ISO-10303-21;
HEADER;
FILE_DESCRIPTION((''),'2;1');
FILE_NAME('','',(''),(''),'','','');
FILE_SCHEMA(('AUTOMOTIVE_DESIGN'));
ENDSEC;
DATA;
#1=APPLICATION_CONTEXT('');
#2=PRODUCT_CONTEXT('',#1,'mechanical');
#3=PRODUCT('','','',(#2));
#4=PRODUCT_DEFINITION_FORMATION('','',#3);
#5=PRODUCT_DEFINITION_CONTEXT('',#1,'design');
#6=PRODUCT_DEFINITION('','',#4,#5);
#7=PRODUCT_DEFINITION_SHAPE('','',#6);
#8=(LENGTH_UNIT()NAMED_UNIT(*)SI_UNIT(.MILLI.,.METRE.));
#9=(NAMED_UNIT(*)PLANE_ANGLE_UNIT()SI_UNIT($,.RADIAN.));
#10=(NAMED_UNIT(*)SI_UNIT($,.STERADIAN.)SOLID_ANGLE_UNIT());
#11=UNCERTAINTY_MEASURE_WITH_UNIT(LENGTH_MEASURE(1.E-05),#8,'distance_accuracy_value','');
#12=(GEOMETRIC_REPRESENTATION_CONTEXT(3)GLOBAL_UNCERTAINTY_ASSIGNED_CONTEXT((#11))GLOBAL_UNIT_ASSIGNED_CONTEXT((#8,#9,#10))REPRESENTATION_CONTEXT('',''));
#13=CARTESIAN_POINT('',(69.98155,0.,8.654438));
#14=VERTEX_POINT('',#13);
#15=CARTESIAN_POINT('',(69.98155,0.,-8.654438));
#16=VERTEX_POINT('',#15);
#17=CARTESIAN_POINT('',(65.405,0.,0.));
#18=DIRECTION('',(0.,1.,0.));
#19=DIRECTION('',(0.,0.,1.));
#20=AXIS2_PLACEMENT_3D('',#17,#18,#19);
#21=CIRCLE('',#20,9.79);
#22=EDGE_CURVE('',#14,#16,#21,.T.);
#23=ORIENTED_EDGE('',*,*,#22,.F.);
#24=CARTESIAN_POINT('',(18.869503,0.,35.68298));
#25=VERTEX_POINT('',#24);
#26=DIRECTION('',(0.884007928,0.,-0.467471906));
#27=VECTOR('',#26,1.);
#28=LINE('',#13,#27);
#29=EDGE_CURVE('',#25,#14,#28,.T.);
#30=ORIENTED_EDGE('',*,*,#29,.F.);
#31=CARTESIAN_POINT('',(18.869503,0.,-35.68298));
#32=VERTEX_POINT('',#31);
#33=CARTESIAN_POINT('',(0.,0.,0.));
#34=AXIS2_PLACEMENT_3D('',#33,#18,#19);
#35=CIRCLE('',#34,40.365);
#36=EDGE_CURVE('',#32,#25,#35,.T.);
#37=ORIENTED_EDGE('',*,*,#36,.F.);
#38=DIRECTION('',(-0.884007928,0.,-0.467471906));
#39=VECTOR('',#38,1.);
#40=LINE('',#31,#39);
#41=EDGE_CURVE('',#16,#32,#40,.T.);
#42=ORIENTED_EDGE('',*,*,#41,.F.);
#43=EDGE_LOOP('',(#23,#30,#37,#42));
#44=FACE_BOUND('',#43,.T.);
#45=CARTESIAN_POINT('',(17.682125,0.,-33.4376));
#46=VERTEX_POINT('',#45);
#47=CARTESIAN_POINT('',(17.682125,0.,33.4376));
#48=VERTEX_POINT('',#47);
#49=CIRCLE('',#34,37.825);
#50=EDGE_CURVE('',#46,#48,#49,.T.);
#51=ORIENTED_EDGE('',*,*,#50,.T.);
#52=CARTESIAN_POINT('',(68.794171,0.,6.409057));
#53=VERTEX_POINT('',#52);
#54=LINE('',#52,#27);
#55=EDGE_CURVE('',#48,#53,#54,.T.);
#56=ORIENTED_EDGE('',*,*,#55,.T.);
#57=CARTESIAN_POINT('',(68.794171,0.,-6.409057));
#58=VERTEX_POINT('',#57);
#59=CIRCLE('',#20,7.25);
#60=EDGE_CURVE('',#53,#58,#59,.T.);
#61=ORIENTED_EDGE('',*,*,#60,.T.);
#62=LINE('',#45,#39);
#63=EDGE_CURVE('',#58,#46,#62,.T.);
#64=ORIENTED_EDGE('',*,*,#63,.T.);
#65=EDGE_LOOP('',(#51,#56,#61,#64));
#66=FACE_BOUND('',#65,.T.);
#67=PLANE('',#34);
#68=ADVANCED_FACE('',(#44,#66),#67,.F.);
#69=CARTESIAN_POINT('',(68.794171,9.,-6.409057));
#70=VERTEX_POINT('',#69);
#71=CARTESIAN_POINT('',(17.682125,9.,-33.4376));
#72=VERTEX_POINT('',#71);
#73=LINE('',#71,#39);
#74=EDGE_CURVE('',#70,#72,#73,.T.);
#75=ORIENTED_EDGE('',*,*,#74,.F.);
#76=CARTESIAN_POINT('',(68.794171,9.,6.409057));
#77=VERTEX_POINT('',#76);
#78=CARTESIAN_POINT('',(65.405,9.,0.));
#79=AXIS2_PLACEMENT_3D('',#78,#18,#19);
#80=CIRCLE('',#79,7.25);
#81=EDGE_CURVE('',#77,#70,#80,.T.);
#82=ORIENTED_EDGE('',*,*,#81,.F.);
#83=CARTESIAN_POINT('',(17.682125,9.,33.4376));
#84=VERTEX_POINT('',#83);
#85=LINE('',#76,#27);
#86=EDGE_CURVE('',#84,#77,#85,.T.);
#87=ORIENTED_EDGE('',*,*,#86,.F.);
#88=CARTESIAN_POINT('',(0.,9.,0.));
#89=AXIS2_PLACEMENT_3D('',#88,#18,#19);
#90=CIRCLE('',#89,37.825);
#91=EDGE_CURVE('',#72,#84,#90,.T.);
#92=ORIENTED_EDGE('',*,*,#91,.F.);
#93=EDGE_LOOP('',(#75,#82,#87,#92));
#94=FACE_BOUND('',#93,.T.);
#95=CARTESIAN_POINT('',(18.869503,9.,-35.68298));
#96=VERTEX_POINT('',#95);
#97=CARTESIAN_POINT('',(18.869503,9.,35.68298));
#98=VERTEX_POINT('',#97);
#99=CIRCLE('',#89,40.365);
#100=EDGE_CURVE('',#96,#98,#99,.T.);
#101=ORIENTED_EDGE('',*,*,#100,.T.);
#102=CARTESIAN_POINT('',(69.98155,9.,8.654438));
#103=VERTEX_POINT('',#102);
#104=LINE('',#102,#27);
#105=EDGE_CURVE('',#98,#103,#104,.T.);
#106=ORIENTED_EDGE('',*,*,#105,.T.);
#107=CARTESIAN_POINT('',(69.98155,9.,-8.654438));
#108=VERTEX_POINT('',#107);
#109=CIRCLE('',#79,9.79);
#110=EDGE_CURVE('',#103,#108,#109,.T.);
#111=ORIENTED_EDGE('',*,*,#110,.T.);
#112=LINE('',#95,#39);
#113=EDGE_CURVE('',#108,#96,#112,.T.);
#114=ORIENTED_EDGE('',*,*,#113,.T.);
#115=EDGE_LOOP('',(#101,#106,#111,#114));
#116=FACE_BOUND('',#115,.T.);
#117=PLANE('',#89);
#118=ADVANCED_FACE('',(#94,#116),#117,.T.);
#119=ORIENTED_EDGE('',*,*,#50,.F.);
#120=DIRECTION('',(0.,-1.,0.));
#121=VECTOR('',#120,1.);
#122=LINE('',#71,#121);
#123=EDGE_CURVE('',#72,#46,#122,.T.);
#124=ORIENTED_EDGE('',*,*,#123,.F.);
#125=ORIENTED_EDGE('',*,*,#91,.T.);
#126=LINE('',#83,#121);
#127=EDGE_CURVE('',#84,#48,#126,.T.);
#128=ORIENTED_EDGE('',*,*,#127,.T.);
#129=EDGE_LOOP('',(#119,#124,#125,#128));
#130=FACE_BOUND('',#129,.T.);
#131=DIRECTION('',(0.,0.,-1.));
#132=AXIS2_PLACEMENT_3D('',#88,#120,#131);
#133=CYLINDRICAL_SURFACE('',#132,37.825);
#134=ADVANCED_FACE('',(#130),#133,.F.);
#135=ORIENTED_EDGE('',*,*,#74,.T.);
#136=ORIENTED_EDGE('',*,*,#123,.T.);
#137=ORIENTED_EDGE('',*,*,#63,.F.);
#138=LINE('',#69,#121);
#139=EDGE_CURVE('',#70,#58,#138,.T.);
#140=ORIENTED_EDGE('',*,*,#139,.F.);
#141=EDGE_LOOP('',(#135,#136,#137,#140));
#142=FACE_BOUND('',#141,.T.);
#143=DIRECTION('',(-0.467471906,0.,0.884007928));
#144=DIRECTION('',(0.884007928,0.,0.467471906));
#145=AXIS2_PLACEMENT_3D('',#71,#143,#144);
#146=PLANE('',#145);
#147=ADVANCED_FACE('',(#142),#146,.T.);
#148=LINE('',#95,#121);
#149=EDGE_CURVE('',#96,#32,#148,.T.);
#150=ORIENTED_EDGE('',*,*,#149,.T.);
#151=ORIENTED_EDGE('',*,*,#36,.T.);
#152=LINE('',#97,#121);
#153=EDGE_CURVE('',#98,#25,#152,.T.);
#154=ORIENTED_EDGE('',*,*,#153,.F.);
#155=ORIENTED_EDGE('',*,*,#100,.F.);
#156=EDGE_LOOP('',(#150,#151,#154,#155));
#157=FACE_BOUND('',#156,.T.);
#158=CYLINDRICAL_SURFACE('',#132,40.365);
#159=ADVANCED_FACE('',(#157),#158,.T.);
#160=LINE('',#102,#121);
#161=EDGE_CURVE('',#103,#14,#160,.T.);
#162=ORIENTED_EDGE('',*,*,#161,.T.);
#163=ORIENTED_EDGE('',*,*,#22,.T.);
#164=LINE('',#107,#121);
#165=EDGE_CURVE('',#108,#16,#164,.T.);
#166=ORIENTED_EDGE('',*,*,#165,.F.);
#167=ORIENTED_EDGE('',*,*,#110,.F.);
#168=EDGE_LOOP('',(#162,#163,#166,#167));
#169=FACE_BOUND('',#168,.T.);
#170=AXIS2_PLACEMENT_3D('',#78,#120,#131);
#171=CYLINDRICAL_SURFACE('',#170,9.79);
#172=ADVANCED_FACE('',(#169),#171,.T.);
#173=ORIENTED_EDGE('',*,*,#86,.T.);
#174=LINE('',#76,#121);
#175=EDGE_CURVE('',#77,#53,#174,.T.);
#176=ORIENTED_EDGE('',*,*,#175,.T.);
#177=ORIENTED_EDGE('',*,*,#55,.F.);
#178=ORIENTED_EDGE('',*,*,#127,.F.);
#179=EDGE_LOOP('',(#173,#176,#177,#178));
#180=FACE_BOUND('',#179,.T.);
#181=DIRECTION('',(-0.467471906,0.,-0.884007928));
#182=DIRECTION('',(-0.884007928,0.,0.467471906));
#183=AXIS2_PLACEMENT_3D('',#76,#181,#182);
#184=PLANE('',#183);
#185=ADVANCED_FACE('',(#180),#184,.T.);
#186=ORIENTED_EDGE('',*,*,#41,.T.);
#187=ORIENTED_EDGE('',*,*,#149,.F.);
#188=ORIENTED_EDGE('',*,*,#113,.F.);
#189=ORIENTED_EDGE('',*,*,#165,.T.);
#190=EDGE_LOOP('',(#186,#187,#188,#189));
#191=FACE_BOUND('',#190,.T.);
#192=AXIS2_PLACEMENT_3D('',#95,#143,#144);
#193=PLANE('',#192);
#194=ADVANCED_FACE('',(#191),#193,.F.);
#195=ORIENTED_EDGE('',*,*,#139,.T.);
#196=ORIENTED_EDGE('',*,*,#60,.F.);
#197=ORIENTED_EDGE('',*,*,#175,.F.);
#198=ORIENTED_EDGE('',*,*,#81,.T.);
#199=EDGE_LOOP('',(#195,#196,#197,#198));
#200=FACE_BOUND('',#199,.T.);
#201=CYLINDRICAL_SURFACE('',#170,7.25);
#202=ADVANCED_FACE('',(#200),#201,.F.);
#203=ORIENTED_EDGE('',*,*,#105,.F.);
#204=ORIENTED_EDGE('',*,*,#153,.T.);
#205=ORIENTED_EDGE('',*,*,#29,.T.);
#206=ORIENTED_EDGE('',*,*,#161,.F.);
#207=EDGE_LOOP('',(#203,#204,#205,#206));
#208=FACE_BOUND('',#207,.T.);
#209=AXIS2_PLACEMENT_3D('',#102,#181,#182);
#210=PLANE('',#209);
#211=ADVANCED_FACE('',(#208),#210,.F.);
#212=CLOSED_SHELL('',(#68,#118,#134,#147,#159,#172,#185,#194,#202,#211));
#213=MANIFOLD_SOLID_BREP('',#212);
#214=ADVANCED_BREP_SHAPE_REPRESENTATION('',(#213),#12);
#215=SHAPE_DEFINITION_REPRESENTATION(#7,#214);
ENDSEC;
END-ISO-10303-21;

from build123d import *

# Parameters (mm, degrees)
BOSS_EXTRUDE1_DEPTH = 9


with BuildPart() as part:
    # Sketch1 → Boss-Extrude1 (new body)
    with BuildSketch(Plane(origin=(0, 0, 0), x_dir=(1, 0, 0), z_dir=(0, 1, 0))):
        with BuildLine():
            Line((18.869503478, 35.682980025), (69.981549958, 8.654437618))
            ThreePointArc((69.981549958, 8.654437618), (75.195, 0), (69.981549958, -8.654437618))
            Line((69.981549958, -8.654437618), (18.869503478, -35.682980025))
            ThreePointArc((18.869503478, -35.682980025), (-40.365, 0), (18.869503478, 35.682980025))
        make_face()
        with BuildLine():
            Line((17.682124838, 33.437599887), (68.794171317, 6.40905748))
            ThreePointArc((68.794171317, 6.40905748), (72.655, 0), (68.794171317, -6.40905748))
            Line((68.794171317, -6.40905748), (17.682124838, -33.437599887))
            ThreePointArc((17.682124838, -33.437599887), (-37.825, 0), (17.682124838, 33.437599887))
        make_face(mode=Mode.SUBTRACT)
    extrude(amount=BOSS_EXTRUDE1_DEPTH)


solid = part.part
